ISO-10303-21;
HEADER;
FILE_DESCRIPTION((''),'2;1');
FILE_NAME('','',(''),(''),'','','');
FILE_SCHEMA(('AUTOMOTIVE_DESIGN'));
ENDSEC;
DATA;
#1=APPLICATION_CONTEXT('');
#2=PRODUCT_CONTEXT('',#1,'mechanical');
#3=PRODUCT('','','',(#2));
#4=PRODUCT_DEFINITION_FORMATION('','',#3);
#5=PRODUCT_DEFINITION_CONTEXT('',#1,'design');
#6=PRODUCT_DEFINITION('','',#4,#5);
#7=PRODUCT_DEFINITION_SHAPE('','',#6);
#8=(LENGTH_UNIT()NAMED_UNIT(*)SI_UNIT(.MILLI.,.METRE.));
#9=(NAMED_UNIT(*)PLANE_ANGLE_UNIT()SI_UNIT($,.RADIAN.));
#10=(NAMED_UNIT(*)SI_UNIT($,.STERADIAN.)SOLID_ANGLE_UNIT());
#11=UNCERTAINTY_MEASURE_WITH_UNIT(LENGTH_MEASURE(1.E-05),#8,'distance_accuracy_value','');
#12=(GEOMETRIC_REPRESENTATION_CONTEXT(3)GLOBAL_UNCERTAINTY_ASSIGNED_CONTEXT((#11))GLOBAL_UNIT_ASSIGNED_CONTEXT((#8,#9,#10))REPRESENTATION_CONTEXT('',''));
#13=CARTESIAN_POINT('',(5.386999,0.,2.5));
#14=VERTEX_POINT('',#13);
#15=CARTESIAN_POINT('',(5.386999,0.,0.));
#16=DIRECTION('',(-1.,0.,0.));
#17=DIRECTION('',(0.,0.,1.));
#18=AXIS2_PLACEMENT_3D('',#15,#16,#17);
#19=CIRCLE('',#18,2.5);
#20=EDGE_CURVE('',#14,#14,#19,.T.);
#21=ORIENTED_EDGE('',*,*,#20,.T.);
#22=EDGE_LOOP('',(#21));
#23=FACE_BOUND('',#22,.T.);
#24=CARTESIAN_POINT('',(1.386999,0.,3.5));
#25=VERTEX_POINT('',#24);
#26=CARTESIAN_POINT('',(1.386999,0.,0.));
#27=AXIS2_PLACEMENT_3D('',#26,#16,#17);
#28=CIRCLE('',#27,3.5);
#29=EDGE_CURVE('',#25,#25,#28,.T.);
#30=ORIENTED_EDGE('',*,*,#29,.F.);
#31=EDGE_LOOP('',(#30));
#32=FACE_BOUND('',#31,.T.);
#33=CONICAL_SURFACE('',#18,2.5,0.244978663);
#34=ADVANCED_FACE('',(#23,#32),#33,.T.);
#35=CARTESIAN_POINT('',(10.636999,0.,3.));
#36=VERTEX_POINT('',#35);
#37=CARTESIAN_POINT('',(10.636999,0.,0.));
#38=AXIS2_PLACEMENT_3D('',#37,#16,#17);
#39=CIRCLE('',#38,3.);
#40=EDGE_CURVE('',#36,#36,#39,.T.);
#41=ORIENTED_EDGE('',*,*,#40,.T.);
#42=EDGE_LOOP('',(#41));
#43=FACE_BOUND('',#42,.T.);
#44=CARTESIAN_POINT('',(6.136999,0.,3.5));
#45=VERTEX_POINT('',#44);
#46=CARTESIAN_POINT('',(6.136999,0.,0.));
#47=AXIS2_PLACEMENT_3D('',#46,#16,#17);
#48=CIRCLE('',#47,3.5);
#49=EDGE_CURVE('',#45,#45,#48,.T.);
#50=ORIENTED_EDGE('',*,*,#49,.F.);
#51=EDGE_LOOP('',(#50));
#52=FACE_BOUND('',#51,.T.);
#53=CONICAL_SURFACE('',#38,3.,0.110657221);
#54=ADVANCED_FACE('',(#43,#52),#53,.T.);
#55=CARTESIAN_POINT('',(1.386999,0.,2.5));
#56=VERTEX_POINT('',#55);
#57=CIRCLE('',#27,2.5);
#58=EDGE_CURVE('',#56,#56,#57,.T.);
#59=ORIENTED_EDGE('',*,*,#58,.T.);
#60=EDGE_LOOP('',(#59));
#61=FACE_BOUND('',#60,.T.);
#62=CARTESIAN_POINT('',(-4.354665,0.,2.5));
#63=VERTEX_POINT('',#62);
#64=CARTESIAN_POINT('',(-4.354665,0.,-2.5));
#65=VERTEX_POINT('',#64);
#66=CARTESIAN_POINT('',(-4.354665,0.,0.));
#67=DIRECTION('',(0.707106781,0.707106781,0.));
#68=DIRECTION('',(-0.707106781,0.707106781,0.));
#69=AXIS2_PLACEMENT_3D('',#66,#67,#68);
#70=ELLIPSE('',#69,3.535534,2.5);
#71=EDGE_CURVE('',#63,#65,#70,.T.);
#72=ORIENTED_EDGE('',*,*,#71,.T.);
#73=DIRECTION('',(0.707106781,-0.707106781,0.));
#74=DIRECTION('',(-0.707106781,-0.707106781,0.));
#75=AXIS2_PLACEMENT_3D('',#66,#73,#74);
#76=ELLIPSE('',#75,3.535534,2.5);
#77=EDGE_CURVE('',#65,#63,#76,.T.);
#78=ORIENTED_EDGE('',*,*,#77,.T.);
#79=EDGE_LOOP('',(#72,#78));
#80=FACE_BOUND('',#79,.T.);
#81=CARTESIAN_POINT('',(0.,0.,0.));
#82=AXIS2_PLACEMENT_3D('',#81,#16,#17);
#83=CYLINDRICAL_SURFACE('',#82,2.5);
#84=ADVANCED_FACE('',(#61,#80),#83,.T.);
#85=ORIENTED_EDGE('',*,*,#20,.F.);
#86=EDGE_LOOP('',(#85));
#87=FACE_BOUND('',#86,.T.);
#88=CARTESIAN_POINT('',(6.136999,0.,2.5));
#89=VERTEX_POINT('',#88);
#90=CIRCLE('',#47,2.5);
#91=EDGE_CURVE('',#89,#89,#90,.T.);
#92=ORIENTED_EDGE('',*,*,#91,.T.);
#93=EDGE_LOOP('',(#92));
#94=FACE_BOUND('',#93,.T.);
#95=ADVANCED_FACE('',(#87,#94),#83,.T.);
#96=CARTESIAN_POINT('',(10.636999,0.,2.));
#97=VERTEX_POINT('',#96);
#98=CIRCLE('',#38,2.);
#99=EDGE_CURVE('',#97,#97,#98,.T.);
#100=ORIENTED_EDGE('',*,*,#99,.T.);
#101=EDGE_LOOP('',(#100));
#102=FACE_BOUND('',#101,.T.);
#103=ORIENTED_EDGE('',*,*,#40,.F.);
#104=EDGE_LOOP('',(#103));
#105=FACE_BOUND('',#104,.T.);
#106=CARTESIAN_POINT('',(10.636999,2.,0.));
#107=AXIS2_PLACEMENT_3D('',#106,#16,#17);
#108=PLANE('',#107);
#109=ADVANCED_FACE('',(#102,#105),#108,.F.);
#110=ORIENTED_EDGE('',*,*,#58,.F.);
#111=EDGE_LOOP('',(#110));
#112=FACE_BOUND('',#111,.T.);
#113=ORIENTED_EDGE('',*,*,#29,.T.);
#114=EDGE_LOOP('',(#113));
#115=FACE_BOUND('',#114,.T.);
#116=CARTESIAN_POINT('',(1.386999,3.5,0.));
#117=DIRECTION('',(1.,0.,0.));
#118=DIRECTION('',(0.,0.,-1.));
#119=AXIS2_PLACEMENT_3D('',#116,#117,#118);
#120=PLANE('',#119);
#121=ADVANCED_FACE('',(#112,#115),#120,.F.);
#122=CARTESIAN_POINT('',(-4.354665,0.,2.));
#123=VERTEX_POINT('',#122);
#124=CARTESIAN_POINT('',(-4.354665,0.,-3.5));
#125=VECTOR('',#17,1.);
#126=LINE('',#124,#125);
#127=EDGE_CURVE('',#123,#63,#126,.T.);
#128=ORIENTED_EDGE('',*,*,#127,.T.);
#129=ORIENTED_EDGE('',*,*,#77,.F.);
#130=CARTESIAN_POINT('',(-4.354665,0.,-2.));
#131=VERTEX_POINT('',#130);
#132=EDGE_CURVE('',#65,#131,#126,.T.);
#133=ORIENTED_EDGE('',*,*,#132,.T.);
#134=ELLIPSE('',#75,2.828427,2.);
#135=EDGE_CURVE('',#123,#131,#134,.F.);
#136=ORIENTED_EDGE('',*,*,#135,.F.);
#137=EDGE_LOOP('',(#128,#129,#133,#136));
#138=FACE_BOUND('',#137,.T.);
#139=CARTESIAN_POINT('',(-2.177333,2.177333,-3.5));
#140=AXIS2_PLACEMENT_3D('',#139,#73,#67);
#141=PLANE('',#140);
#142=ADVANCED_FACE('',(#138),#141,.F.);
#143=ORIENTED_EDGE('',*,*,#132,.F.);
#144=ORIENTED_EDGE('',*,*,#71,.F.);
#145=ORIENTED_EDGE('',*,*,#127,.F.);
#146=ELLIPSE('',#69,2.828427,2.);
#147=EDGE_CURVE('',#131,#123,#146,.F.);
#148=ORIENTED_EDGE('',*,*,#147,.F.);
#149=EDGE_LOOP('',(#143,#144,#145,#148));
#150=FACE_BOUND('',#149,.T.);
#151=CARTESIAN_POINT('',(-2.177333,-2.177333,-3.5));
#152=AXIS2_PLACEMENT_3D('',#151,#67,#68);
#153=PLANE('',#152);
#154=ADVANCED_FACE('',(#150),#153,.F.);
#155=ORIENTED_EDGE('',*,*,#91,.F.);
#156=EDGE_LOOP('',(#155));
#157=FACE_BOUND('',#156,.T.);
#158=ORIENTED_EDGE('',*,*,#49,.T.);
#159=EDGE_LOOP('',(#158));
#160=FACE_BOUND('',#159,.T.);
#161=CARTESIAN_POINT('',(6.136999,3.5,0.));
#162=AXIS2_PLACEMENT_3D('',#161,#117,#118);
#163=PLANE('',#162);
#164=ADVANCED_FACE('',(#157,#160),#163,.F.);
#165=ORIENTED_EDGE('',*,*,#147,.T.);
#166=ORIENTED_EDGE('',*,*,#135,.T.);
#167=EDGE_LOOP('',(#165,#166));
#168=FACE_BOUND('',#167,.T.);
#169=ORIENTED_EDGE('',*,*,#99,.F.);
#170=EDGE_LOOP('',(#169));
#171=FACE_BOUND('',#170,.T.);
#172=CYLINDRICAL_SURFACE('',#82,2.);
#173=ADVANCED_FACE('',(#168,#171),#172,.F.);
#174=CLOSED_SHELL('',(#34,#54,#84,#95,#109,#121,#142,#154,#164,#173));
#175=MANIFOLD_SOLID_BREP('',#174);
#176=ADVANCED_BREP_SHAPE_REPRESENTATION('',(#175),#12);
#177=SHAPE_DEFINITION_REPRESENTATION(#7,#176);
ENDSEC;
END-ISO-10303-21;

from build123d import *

# Parameters (mm, degrees)
CUT_EXTRUDE3_DEPTH      = 4.5
CUT_EXTRUDE3_DEPTH_BACK = 4.5


with BuildPart() as part:
    # Sketch1 → Revolve1 (revolve)
    with BuildSketch(Plane.XY):
        Polygon((10.63699913, 3), (6.13699913, 3.5), (6.13699913, 2.5), (5.38699913, 2.5), (1.38699913, 3.5), (1.38699913, 2.5), (-4.354665221, 2.5), (-4.354665221, 2), (10.63699913, 2), align=None)
    revolve(axis=Axis((0, 0, 0), (1, 0, 0)))

    # Sketch2 → Cut-Extrude3 (cut, two sides)
    with BuildSketch(Plane.XY) as cut_extrude3_sk:
        Polygon((-1.854665221, 2.5), (-4.354665221, 2.5), (-4.354665221, 0), align=None)
        Polygon((-4.354665221, -2.5), (-4.354665221, 0), (-1.854665221, -2.5), align=None)
    extrude(amount=CUT_EXTRUDE3_DEPTH, mode=Mode.SUBTRACT)
    extrude(cut_extrude3_sk.sketch, amount=-CUT_EXTRUDE3_DEPTH_BACK, mode=Mode.SUBTRACT)


solid = part.part
